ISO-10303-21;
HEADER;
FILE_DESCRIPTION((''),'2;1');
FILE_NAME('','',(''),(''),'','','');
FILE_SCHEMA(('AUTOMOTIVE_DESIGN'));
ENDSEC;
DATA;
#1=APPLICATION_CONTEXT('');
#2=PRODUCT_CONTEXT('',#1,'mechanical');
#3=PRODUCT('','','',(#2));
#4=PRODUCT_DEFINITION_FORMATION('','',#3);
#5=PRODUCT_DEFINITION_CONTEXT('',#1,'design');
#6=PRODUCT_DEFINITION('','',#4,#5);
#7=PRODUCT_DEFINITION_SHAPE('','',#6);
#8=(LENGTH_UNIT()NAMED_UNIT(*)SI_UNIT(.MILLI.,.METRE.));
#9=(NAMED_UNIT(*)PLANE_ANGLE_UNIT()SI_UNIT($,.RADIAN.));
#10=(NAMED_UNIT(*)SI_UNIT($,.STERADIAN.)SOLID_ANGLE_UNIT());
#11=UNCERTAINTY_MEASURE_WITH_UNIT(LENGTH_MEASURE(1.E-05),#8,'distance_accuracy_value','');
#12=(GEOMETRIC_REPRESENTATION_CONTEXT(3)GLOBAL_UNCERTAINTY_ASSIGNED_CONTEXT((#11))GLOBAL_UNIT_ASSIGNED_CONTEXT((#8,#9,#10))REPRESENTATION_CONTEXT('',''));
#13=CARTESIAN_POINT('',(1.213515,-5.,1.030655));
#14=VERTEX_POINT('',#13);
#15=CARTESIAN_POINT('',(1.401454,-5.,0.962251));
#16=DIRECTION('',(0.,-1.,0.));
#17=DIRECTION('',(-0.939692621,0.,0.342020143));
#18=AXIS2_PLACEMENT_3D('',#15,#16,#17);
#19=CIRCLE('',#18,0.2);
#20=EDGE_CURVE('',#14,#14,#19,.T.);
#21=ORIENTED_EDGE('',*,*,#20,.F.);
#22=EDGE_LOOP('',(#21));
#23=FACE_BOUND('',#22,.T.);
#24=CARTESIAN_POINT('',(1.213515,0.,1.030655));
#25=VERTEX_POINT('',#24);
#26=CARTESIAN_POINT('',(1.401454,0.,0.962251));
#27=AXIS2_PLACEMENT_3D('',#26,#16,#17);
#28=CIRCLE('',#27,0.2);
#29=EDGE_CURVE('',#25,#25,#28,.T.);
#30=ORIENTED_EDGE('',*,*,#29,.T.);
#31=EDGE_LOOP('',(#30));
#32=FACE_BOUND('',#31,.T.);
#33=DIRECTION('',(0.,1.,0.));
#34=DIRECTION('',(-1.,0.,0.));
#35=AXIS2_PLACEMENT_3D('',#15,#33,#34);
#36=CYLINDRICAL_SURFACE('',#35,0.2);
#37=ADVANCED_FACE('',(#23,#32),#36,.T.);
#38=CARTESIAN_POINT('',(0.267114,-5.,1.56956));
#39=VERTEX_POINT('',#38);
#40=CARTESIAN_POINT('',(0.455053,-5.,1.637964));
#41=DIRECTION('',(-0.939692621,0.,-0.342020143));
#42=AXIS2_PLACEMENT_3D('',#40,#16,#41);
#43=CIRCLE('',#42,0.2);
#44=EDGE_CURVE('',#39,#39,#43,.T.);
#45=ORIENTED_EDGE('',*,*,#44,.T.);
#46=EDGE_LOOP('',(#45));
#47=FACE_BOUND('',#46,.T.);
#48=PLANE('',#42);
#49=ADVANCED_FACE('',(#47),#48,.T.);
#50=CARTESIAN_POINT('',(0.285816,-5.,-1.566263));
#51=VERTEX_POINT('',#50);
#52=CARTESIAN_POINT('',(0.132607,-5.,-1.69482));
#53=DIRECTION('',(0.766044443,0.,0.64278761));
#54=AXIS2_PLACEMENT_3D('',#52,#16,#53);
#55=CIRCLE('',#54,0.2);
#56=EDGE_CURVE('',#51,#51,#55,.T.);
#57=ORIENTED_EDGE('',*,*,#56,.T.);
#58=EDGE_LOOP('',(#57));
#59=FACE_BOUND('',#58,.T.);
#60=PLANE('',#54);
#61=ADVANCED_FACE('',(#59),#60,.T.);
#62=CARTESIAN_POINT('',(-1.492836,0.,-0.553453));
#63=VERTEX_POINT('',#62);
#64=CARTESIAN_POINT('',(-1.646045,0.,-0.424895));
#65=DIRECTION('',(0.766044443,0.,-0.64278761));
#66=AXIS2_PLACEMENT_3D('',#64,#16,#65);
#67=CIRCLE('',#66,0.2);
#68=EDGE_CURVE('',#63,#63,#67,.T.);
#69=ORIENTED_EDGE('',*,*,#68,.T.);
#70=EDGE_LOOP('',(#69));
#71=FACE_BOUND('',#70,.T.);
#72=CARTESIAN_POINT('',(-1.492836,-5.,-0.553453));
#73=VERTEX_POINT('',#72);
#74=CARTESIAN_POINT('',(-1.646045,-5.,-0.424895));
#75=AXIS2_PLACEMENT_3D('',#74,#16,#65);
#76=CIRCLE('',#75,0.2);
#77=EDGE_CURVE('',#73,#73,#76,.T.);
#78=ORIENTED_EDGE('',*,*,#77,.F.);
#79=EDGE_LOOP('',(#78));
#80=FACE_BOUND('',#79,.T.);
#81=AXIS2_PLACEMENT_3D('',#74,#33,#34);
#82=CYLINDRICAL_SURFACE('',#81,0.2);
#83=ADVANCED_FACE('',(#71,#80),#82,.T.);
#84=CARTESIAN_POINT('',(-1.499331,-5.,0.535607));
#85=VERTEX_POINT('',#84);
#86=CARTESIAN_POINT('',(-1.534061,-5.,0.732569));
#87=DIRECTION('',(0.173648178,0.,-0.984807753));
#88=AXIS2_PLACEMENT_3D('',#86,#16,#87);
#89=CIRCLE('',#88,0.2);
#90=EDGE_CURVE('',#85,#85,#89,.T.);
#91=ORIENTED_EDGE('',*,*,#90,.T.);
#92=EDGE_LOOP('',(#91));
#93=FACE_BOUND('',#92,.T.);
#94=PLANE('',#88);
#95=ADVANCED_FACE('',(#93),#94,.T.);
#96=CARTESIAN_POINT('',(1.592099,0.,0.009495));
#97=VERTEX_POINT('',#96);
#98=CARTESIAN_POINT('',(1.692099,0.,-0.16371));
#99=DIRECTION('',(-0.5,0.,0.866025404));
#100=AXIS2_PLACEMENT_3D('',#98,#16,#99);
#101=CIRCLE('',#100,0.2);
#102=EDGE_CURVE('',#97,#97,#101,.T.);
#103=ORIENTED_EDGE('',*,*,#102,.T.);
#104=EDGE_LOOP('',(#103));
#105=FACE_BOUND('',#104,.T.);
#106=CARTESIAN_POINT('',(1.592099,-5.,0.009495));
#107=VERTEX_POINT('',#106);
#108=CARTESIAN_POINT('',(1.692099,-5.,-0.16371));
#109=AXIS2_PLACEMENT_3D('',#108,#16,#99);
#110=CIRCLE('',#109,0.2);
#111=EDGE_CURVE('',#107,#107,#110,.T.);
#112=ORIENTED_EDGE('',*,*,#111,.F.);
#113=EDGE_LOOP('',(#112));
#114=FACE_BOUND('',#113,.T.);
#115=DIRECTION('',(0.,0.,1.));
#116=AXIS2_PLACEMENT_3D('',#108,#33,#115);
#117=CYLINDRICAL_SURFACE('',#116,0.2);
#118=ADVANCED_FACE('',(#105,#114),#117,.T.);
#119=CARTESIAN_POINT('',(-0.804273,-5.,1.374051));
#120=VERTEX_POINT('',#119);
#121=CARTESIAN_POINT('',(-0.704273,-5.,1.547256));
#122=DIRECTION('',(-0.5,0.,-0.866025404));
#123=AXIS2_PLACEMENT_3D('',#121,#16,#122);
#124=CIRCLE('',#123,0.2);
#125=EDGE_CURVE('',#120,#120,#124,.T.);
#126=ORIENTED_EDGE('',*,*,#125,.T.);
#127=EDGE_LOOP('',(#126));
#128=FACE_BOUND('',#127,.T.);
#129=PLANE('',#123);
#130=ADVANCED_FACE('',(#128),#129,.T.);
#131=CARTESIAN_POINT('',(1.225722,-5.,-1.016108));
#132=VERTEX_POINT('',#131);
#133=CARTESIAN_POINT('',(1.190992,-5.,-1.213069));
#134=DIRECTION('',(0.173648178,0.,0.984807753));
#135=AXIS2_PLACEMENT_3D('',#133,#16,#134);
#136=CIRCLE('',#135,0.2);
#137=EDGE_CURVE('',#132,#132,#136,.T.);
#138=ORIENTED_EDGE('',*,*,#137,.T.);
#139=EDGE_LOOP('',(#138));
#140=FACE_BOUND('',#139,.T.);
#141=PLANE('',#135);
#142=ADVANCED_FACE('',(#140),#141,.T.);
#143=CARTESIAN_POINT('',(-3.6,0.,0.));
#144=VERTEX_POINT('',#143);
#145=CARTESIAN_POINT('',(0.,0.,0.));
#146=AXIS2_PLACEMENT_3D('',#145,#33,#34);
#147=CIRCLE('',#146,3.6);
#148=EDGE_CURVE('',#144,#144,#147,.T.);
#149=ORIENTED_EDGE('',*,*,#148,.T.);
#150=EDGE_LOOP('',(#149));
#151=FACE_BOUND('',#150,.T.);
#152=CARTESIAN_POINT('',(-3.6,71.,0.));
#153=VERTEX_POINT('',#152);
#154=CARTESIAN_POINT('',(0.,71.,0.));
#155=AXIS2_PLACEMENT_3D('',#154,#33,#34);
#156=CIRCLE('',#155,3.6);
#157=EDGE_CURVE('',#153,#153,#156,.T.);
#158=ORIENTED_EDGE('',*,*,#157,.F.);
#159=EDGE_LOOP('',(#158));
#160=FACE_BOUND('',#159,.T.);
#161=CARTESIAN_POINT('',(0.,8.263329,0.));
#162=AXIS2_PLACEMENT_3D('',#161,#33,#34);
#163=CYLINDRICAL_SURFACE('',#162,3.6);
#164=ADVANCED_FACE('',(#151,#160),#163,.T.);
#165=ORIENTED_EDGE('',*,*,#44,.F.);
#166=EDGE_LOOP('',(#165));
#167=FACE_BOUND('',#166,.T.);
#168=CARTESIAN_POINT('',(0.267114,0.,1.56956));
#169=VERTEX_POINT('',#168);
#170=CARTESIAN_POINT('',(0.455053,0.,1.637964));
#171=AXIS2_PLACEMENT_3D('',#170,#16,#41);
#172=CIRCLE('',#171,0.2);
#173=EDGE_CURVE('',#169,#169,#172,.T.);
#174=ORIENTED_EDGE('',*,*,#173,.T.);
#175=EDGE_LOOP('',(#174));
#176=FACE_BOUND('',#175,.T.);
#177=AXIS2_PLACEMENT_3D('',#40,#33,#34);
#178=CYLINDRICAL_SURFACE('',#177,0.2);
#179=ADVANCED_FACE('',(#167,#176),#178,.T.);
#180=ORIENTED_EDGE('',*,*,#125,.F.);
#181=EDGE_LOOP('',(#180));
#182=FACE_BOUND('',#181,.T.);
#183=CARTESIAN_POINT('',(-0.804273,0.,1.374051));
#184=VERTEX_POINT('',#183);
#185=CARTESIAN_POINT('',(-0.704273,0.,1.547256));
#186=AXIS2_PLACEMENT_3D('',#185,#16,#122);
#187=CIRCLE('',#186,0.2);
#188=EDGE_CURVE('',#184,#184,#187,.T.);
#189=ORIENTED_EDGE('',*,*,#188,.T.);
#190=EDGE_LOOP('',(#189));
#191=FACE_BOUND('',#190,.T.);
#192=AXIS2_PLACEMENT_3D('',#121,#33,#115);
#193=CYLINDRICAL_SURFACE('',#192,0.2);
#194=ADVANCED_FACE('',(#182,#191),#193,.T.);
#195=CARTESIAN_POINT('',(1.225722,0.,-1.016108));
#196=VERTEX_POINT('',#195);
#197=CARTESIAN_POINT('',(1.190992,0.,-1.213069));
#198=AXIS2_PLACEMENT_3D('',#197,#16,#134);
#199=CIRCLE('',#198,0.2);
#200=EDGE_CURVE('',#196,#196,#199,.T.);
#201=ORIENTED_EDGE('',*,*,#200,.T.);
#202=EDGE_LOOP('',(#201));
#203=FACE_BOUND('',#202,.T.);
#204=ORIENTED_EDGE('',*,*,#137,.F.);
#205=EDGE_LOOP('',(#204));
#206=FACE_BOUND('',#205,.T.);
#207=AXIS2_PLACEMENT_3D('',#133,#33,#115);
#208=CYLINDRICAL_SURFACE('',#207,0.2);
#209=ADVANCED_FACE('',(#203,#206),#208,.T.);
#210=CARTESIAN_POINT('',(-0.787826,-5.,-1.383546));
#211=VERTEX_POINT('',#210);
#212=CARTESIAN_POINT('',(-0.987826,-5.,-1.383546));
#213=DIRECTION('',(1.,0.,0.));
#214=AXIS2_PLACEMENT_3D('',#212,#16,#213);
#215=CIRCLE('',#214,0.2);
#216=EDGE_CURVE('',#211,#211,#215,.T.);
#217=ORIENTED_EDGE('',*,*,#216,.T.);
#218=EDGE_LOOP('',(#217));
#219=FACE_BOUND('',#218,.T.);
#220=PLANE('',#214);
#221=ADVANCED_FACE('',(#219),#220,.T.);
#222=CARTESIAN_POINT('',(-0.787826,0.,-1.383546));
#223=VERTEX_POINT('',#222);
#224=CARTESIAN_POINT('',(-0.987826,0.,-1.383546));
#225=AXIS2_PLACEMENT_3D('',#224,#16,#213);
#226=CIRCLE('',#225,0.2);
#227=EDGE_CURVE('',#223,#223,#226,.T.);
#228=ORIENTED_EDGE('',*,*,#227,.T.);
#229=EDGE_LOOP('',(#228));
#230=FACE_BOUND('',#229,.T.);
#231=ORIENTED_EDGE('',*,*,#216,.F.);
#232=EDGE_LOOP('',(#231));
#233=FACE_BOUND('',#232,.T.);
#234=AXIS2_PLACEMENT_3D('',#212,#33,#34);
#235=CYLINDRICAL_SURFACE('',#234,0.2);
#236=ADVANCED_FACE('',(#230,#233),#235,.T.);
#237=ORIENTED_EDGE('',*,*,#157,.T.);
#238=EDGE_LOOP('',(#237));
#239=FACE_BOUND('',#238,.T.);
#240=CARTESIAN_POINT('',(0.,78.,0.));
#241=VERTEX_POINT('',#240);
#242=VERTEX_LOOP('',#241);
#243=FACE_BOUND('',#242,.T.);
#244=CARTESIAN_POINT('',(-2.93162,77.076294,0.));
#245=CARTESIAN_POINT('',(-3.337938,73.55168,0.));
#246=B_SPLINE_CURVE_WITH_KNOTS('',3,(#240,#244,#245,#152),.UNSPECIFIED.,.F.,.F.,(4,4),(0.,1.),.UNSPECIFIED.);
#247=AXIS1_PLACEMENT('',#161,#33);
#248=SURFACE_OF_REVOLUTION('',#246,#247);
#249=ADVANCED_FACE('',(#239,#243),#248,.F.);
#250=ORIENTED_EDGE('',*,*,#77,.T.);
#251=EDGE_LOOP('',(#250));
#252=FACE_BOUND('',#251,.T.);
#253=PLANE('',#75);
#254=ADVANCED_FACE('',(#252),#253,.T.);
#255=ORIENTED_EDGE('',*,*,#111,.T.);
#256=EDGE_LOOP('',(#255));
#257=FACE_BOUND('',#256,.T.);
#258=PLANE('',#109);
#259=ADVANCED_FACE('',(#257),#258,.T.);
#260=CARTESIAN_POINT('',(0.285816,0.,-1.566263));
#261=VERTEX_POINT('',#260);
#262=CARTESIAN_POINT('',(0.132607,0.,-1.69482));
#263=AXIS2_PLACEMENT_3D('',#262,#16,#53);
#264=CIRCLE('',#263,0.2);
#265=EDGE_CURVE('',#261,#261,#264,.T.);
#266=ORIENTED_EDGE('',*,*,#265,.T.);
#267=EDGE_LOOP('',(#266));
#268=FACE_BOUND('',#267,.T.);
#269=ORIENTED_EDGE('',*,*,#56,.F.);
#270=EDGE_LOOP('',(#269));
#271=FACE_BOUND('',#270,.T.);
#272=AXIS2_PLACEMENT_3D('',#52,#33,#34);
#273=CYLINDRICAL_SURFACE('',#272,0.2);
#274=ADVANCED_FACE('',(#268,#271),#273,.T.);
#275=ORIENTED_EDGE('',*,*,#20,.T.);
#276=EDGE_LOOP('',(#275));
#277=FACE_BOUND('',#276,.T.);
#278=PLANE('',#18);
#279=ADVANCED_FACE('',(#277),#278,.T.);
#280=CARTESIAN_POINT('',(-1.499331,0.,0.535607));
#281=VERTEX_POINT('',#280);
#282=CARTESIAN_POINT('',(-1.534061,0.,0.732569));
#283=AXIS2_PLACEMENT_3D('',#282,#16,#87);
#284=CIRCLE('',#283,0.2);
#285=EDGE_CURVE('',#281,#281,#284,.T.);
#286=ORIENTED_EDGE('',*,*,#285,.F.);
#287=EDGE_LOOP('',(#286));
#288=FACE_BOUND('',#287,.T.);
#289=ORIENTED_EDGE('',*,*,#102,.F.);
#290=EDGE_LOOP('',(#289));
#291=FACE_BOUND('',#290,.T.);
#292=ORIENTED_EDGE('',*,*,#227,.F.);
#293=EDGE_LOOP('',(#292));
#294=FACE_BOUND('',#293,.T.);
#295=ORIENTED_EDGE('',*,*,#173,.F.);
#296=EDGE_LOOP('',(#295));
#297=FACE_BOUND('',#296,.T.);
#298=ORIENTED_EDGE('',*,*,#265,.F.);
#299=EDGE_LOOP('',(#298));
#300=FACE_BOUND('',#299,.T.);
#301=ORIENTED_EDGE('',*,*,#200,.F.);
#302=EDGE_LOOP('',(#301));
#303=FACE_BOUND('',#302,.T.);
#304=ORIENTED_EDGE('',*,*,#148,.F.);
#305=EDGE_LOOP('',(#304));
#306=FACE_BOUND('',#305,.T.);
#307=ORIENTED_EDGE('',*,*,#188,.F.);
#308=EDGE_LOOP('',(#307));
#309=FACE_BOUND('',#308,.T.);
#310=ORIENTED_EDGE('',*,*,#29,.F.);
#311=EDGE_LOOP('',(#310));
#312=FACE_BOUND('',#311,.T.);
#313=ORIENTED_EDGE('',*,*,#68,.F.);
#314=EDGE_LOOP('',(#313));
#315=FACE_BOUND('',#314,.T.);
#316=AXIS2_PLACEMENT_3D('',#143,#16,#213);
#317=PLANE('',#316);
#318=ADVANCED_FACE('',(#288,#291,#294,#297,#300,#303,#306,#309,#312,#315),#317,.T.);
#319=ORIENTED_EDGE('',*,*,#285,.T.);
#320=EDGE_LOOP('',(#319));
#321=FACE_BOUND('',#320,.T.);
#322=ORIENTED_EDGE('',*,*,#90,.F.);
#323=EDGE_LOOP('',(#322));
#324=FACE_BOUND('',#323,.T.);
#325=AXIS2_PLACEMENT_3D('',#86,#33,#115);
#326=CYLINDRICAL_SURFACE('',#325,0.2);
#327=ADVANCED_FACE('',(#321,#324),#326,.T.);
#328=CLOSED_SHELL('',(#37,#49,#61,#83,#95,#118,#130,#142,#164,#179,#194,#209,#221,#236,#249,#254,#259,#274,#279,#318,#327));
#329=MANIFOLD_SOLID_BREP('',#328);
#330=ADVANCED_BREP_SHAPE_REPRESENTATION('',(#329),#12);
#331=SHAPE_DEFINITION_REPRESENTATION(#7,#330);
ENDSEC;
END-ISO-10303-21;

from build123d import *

# Parameters (mm, degrees)
SKETCH_2_R               = 0.2
EXTRUDE_1_DEPTH          = 5
PATTERN_CIRCULAR_1_COUNT = 9


with BuildPart() as part:
    # 草图1 → 旋转1 (revolve)
    with BuildSketch(Plane.XY):
        with BuildLine():
            Line((-3.6, 71), (-3.6, 0))
            Line((-3.6, 0), (0, 0))
            Line((0, 0), (0, 78))
            add(Edge.make_bspline(
                [(-3.6, 71), (-3.337937783, 73.551680107), (-2.931620403, 77.076293538), (0, 78)],
                knots=[0, 0, 0, 0, 1, 1, 1, 1], degree=3))
        make_face()
    revolve(axis=Axis((0, 8.263328558, 0), (0, -1, 0)))

    # 草图2 → 凸台-拉伸1 (add)
    with BuildSketch(Plane.XZ):
        with Locations((-0.987826351, -1.383545843)):
            Circle(SKETCH_2_R)
    extrude_1 = extrude(amount=EXTRUDE_1_DEPTH)

    # 阵列(圆周)1: 凸台-拉伸1 ×9 about axis
    pattern_circular_1_axis = Axis((0, 0, 0), (0, 1, 0))
    for i in range(1, PATTERN_CIRCULAR_1_COUNT):
        add(extrude_1.rotate(pattern_circular_1_axis, i * 360 / PATTERN_CIRCULAR_1_COUNT))


solid = part.part
